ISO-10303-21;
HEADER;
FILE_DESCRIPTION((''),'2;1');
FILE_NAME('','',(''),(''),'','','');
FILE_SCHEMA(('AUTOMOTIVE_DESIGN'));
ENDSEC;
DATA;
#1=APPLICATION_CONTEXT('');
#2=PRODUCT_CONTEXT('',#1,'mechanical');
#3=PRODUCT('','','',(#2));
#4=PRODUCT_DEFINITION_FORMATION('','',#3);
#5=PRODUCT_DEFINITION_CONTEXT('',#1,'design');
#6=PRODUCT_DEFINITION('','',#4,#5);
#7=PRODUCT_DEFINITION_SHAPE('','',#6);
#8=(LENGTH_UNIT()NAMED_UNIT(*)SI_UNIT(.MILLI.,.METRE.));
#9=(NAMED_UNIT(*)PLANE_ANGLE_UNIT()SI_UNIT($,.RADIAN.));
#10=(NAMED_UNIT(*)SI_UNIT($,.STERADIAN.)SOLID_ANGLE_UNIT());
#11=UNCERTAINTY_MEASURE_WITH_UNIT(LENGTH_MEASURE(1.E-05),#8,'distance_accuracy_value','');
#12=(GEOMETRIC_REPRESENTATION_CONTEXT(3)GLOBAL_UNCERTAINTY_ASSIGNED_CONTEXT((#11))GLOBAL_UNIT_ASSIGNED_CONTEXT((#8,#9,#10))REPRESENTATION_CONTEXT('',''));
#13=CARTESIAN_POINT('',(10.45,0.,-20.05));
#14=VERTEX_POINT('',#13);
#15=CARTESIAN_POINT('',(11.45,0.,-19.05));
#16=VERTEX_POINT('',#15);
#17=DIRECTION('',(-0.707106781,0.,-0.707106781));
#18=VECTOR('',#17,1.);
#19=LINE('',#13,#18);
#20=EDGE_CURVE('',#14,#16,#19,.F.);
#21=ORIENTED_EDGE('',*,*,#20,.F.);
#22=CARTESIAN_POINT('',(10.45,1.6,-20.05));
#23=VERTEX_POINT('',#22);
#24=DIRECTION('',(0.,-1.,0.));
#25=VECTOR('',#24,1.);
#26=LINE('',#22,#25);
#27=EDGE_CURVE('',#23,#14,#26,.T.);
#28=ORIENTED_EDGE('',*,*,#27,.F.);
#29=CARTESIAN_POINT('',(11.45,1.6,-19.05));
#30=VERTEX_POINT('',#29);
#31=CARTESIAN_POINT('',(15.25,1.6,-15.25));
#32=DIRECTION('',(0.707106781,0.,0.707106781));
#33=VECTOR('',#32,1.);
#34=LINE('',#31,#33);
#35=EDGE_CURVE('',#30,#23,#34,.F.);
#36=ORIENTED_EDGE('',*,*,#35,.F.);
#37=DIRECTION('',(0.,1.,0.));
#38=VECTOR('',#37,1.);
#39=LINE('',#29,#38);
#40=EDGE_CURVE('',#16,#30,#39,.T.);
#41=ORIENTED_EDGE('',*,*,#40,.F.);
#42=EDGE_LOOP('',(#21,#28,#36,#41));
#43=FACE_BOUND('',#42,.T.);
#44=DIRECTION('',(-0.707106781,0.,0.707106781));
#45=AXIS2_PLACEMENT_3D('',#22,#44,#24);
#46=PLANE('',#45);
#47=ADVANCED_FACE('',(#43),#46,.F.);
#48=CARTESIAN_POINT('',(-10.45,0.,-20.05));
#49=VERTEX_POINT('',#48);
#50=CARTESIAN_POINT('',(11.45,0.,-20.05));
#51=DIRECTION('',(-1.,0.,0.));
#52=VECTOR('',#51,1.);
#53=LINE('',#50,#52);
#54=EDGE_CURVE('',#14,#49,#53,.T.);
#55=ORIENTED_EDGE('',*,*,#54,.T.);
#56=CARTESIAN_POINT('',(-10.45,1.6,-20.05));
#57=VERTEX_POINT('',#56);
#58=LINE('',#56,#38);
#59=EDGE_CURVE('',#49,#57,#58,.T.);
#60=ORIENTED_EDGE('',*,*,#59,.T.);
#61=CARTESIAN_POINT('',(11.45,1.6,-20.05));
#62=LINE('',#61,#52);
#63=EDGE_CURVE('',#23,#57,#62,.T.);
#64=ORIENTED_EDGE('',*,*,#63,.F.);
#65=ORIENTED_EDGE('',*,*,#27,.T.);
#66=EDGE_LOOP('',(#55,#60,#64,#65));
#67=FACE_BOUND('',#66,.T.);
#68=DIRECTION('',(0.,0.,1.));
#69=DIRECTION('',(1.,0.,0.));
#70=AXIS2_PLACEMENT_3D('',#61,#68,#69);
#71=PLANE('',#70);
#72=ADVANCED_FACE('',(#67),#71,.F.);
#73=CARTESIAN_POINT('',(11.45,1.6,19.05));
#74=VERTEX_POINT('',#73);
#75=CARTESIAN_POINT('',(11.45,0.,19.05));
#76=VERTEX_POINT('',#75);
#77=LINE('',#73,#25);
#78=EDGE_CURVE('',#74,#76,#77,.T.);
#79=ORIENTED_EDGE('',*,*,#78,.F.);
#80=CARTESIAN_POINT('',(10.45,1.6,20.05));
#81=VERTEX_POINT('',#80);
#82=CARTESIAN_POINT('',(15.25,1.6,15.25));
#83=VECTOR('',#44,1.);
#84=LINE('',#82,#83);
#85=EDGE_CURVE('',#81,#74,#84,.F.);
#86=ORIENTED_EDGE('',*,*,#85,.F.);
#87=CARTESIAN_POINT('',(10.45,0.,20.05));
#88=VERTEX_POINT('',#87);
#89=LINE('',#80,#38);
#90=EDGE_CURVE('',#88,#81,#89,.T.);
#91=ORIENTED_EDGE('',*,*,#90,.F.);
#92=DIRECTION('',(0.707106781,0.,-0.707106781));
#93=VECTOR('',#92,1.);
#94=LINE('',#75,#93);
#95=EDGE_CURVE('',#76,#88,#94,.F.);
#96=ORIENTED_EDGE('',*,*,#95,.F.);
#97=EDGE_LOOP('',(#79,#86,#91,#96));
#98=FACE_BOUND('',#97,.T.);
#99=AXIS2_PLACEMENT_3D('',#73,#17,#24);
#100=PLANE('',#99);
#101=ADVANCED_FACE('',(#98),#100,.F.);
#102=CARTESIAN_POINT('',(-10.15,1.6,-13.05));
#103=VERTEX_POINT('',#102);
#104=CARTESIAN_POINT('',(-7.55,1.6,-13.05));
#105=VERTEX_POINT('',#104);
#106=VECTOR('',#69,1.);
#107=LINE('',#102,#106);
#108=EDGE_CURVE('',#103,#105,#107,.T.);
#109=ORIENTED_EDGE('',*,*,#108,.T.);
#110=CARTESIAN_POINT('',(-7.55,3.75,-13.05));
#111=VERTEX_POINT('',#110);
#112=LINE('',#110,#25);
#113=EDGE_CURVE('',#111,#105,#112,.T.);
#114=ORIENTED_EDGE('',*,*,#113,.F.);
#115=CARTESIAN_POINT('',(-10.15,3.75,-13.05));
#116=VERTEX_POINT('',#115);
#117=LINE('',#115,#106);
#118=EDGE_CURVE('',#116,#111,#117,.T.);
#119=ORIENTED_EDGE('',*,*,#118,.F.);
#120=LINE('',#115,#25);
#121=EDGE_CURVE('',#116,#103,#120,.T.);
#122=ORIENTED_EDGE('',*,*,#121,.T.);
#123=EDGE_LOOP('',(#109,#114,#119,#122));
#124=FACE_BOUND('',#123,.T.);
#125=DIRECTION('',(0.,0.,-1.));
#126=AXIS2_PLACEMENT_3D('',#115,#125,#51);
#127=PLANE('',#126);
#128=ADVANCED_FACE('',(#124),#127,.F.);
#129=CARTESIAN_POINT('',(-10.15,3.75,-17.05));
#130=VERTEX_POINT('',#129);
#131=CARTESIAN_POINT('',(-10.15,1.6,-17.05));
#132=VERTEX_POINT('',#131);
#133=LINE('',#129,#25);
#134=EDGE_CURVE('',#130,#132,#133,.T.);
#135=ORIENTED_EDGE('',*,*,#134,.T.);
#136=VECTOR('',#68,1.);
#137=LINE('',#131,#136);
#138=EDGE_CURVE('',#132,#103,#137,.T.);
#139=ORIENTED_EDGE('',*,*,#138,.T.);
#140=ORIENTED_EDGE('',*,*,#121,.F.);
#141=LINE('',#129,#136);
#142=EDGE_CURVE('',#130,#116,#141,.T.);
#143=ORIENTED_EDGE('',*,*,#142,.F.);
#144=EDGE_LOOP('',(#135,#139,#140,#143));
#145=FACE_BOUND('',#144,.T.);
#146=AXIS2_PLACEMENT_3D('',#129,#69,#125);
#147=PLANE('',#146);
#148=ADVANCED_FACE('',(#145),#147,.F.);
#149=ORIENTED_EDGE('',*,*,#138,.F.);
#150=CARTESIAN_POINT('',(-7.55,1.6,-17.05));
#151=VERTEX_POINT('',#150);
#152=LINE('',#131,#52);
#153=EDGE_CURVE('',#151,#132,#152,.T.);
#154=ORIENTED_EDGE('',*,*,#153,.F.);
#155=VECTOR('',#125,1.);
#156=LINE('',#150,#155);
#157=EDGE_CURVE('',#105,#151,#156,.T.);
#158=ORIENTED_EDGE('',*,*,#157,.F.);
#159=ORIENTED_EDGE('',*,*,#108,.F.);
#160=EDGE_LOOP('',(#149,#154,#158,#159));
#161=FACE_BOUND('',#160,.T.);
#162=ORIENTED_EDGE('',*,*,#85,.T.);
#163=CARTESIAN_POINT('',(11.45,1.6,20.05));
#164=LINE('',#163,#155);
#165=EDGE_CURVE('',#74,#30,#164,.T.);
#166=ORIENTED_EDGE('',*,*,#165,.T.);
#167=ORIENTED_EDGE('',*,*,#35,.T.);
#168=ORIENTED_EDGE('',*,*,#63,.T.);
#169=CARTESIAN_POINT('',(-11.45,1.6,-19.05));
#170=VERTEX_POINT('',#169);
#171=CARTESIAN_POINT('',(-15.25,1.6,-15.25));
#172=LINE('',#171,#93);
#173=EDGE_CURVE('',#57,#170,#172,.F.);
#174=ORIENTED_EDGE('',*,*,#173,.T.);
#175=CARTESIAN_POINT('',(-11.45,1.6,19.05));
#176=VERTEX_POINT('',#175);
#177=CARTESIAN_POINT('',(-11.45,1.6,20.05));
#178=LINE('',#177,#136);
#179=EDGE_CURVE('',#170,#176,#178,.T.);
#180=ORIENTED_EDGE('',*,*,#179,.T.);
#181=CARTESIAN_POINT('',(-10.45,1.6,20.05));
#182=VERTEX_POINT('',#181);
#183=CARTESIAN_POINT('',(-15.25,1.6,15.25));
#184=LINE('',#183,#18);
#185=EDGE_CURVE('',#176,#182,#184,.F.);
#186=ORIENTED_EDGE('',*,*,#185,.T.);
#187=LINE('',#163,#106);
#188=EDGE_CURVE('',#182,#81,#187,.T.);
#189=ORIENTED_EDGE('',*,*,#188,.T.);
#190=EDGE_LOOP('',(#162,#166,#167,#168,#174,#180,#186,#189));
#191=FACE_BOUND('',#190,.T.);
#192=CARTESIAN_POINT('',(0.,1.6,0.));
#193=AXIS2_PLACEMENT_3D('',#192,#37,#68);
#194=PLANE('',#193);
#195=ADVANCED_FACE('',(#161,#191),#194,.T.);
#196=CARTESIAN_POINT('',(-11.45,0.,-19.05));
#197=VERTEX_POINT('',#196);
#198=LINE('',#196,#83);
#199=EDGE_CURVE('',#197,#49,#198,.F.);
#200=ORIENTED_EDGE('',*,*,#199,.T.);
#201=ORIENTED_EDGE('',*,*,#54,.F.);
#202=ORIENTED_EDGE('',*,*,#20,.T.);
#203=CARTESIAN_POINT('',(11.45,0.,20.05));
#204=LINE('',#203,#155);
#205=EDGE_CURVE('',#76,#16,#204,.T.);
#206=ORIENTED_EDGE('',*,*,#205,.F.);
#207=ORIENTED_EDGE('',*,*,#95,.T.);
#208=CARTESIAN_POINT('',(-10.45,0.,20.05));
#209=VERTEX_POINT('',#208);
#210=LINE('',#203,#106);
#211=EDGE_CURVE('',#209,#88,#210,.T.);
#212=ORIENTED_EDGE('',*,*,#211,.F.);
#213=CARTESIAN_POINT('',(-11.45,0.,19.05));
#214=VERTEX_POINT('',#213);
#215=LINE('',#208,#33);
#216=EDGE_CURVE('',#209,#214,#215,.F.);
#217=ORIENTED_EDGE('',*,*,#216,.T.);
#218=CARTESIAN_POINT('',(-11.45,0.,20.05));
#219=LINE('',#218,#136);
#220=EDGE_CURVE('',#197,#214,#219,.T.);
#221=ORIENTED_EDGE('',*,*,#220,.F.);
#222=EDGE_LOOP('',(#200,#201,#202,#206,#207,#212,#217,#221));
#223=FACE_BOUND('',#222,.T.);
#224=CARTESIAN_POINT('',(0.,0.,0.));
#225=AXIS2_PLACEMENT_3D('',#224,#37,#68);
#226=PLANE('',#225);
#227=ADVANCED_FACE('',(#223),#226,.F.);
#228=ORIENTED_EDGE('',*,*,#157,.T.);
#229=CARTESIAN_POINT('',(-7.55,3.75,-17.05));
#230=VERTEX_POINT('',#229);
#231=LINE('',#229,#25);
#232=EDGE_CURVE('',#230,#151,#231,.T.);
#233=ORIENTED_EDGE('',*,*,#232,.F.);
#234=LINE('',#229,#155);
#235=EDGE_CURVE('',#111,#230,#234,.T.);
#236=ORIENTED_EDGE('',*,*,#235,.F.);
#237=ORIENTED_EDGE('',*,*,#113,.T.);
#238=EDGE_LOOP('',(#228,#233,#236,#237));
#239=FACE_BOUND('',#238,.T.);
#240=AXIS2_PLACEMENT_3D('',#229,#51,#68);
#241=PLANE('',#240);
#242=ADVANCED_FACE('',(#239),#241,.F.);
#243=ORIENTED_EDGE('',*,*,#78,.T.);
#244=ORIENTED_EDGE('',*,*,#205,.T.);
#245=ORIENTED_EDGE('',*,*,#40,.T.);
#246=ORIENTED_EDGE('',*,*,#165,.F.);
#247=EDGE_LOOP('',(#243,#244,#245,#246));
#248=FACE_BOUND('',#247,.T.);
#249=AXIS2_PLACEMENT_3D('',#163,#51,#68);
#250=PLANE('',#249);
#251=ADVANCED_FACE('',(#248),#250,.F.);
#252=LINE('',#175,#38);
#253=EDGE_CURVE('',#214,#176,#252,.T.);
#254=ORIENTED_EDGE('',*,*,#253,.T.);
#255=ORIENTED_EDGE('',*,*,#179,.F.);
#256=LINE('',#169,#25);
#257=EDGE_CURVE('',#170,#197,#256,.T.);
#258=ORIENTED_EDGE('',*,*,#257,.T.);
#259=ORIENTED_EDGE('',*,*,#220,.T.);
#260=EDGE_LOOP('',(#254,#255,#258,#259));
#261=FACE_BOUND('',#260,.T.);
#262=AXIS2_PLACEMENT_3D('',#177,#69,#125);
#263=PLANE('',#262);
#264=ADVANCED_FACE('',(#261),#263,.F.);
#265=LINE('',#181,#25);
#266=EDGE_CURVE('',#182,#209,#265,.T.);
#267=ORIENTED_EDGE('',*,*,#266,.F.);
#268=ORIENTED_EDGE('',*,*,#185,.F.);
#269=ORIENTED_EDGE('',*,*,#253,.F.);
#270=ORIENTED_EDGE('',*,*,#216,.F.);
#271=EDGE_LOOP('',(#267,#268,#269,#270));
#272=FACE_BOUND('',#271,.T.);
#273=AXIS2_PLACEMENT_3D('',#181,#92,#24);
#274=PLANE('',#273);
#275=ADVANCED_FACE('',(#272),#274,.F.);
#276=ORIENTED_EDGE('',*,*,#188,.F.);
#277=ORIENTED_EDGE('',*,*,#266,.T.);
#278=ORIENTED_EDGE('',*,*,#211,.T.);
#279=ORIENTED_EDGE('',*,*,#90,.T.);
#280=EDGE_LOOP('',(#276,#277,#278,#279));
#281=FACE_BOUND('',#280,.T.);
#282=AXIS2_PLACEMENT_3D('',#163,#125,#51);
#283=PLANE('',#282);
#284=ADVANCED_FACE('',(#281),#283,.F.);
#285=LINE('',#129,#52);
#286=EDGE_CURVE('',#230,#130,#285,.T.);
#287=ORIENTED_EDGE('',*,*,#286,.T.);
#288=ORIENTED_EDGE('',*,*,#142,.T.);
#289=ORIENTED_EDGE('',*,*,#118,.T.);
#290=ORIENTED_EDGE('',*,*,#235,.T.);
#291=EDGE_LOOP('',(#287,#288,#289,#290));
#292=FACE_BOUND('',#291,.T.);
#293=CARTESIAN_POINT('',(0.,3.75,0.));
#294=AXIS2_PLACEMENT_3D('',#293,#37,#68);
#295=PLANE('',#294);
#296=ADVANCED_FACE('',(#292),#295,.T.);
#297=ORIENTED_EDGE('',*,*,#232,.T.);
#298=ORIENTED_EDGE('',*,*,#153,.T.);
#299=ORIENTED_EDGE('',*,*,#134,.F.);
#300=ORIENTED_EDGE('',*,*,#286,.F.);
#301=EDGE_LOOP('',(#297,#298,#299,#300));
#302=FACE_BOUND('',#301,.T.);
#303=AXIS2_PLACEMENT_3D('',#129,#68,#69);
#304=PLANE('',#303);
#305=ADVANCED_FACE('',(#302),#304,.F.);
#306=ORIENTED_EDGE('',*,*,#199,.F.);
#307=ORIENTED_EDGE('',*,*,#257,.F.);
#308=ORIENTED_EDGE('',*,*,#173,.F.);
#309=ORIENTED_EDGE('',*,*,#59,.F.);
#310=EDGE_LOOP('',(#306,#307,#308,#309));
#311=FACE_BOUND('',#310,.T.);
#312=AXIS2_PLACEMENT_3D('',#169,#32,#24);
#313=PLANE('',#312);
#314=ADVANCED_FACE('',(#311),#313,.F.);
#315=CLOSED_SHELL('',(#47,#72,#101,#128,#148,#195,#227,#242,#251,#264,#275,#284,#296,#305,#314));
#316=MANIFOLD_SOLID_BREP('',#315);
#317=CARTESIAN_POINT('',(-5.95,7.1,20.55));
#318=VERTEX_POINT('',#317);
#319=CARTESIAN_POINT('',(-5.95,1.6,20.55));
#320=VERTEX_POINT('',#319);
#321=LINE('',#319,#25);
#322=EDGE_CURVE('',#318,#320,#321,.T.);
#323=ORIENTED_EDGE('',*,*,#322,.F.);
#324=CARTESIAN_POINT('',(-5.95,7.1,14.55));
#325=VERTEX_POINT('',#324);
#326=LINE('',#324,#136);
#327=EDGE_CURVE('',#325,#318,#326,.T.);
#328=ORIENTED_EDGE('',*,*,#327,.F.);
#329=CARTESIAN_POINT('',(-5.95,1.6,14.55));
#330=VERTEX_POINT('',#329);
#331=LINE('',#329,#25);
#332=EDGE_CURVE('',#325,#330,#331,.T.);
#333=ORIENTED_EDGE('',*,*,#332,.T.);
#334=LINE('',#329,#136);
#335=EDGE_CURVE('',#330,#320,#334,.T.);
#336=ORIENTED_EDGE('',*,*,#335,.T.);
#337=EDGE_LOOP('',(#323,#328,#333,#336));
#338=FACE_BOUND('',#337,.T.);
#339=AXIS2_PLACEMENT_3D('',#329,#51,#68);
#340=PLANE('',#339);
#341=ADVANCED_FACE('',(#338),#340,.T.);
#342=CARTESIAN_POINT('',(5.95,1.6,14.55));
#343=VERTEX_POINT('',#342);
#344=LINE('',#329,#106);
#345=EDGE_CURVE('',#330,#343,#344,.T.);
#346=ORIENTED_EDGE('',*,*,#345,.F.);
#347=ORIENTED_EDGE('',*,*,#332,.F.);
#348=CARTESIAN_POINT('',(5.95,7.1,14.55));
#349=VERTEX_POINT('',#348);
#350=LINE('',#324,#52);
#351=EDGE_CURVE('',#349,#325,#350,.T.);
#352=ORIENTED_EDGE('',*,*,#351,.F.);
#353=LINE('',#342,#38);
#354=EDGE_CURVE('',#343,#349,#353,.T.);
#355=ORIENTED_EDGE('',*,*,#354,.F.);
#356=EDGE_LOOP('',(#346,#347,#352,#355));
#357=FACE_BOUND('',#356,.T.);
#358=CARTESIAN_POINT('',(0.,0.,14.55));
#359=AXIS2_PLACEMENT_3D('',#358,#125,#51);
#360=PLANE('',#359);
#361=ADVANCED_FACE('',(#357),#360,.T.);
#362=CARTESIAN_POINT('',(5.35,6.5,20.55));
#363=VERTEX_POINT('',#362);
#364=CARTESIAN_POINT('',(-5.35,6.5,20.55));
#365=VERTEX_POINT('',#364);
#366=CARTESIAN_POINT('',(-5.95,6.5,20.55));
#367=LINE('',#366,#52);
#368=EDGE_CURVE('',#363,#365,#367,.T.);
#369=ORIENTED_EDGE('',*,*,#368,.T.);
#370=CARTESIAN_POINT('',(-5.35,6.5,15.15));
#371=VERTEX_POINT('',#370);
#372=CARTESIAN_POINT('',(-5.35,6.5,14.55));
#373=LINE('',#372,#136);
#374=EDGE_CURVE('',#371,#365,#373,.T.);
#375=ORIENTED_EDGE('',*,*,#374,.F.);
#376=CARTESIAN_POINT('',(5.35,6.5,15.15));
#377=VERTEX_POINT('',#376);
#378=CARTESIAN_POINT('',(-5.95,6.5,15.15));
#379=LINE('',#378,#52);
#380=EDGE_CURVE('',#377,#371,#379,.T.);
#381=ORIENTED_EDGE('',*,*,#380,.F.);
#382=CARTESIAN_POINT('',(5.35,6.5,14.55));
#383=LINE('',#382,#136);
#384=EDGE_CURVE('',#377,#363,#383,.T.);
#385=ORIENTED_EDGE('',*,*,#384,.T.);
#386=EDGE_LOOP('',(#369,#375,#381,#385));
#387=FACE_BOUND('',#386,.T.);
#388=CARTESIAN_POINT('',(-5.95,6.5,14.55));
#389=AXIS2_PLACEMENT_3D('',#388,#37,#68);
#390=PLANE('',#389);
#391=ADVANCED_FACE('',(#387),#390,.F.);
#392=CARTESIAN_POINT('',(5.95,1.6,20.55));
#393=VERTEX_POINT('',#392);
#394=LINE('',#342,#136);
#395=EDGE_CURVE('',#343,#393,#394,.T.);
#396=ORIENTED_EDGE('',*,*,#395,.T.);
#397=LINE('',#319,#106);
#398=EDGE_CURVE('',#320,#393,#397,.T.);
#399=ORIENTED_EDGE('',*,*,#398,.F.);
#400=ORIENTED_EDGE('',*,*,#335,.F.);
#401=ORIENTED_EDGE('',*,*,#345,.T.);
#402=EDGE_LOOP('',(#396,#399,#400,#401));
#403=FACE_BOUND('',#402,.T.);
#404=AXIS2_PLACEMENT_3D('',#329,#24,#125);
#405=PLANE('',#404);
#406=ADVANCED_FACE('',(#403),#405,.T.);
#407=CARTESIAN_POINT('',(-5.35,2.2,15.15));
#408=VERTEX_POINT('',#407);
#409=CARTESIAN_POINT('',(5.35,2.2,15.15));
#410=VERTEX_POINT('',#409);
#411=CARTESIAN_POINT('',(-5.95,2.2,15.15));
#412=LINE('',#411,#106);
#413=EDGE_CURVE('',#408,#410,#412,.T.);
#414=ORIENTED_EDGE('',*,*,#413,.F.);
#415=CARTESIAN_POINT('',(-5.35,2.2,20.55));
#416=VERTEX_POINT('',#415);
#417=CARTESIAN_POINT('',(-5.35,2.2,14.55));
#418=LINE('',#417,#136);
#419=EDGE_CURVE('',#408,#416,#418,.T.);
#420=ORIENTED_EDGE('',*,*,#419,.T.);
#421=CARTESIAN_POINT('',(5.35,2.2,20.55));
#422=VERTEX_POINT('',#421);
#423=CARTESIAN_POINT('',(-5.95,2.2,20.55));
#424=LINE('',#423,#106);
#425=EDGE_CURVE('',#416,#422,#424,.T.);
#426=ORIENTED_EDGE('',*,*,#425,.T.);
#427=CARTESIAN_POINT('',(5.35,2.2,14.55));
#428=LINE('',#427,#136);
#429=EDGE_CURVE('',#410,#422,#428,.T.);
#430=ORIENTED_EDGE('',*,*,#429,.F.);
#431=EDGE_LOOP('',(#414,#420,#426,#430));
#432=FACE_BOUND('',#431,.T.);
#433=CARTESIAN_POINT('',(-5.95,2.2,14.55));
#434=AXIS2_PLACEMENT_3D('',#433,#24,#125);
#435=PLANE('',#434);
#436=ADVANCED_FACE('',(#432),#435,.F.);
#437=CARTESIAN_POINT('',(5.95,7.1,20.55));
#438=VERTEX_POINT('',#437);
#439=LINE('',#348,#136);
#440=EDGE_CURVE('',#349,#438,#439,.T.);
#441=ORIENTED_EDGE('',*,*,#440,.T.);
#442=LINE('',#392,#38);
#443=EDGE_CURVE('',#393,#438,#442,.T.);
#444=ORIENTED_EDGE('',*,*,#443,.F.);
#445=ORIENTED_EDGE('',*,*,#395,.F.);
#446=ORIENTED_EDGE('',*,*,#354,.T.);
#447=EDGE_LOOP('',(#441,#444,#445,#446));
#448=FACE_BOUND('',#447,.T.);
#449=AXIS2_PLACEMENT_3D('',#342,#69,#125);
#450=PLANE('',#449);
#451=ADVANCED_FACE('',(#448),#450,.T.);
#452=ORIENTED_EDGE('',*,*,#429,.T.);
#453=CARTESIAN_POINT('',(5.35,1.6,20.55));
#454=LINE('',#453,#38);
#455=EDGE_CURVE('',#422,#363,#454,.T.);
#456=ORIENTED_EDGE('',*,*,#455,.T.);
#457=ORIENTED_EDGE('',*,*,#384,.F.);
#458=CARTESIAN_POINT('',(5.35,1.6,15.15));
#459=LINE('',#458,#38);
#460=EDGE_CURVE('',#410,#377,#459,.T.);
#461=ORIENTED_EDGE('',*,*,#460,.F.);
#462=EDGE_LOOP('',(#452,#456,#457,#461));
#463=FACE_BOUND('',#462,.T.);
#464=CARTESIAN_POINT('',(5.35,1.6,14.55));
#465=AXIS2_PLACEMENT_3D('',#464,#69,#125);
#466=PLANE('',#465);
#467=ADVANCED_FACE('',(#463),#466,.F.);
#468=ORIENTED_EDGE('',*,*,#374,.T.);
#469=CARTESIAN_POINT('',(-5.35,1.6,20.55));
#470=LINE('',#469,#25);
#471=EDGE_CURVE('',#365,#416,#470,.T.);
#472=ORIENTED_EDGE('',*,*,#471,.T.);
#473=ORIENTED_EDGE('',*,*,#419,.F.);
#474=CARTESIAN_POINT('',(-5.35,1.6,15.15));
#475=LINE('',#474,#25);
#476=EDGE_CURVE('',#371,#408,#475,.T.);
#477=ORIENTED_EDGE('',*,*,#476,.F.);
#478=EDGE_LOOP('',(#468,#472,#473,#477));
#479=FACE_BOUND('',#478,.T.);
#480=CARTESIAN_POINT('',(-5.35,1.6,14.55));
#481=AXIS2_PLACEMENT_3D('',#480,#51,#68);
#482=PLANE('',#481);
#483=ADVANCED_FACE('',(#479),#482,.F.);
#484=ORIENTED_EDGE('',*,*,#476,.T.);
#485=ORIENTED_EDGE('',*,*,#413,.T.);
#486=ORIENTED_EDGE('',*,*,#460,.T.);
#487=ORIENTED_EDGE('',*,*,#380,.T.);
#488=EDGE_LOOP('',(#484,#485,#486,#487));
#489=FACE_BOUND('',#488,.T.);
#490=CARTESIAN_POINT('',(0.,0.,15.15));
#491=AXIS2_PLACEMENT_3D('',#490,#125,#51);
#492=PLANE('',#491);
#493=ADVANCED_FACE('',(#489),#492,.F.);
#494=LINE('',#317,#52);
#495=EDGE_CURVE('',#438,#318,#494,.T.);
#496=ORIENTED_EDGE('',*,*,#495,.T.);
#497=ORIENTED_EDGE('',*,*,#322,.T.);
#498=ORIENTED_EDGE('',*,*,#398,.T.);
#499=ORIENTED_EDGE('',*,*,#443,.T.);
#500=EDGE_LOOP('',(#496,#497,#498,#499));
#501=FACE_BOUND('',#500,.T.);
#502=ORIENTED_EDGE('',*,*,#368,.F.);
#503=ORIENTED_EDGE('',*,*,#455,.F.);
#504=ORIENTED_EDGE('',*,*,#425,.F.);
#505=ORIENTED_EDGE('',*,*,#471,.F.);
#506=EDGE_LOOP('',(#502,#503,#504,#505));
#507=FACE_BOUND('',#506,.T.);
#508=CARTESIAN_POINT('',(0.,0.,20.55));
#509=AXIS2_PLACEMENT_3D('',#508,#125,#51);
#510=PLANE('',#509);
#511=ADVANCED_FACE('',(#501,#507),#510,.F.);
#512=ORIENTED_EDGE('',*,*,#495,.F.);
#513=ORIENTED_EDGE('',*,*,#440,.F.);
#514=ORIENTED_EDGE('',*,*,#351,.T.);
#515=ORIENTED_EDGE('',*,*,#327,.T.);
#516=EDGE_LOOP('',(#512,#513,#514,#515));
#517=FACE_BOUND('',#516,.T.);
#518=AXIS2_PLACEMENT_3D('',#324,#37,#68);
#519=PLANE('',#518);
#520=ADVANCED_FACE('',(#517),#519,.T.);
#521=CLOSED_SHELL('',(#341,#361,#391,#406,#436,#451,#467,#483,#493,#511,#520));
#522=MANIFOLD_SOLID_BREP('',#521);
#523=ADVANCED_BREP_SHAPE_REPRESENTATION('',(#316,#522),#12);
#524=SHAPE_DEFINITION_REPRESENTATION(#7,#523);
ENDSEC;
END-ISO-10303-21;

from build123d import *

# Parameters (mm, degrees)
SKETCH1_W                = 22.9
SKETCH1_H                = 40.1
BOSS_EXTRUDE1_DEPTH      = 1.6
BOSS_EXTRUDE2_DEPTH      = 0.5
BOSS_EXTRUDE2_DEPTH_BACK = 5.5
SKETCH2_W                = 11.9
SKETCH2_H                = 5.5
SHELL1_T                 = -0.6
CHAMFER1_SIZE            = 1
SKETCH3_W                = 2.6
SKETCH3_H                = 4
BOSS_EXTRUDE3_DEPTH      = 2.15


with BuildPart() as part:
    # Sketch1 → Boss-Extrude1 (new body)
    with BuildSketch(Plane(origin=(0, 0, 0), x_dir=(1, 0, 0), z_dir=(0, 1, 0))):
        Rectangle(SKETCH1_W, SKETCH1_H)
    extrude(amount=BOSS_EXTRUDE1_DEPTH)

    # Chamfer1
    chamfer1_edges = [part.edges().sort_by_distance(p)[0] for p in [
        (-11.45, 0.8, -20.05),
        (11.45, 0.8, -20.05),
        (11.45, 0.8, 20.05),
        (-11.45, 0.8, 20.05),
    ]]
    chamfer(chamfer1_edges, length=CHAMFER1_SIZE)

    # Sketch3 → Boss-Extrude3 (add)
    with BuildSketch(Plane(origin=(0, 1.6, 0), x_dir=(1, 0, 0), z_dir=(0, 1, 0))):
        with Locations((-8.85, 15.05)):
            Rectangle(SKETCH3_W, SKETCH3_H)
    extrude(amount=BOSS_EXTRUDE3_DEPTH)


with BuildPart() as body_2:
    # Sketch2 → Boss-Extrude2 (new, two sides: drawn at the far end of the back side and taken through both)
    with BuildSketch(Plane.XY.offset(20.05).offset(-BOSS_EXTRUDE2_DEPTH_BACK)):
        with Locations((0, 4.35)):
            Rectangle(SKETCH2_W, SKETCH2_H)
    extrude(amount=BOSS_EXTRUDE2_DEPTH + BOSS_EXTRUDE2_DEPTH_BACK)

    # Shell1
    shell1_openings = [body_2.faces().sort_by_distance(p)[0] for p in [
        (0, 4.35, 20.55),
    ]]
    offset(amount=SHELL1_T, openings=shell1_openings, kind=Kind.INTERSECTION)


solid = Compound([part.part, body_2.part])
